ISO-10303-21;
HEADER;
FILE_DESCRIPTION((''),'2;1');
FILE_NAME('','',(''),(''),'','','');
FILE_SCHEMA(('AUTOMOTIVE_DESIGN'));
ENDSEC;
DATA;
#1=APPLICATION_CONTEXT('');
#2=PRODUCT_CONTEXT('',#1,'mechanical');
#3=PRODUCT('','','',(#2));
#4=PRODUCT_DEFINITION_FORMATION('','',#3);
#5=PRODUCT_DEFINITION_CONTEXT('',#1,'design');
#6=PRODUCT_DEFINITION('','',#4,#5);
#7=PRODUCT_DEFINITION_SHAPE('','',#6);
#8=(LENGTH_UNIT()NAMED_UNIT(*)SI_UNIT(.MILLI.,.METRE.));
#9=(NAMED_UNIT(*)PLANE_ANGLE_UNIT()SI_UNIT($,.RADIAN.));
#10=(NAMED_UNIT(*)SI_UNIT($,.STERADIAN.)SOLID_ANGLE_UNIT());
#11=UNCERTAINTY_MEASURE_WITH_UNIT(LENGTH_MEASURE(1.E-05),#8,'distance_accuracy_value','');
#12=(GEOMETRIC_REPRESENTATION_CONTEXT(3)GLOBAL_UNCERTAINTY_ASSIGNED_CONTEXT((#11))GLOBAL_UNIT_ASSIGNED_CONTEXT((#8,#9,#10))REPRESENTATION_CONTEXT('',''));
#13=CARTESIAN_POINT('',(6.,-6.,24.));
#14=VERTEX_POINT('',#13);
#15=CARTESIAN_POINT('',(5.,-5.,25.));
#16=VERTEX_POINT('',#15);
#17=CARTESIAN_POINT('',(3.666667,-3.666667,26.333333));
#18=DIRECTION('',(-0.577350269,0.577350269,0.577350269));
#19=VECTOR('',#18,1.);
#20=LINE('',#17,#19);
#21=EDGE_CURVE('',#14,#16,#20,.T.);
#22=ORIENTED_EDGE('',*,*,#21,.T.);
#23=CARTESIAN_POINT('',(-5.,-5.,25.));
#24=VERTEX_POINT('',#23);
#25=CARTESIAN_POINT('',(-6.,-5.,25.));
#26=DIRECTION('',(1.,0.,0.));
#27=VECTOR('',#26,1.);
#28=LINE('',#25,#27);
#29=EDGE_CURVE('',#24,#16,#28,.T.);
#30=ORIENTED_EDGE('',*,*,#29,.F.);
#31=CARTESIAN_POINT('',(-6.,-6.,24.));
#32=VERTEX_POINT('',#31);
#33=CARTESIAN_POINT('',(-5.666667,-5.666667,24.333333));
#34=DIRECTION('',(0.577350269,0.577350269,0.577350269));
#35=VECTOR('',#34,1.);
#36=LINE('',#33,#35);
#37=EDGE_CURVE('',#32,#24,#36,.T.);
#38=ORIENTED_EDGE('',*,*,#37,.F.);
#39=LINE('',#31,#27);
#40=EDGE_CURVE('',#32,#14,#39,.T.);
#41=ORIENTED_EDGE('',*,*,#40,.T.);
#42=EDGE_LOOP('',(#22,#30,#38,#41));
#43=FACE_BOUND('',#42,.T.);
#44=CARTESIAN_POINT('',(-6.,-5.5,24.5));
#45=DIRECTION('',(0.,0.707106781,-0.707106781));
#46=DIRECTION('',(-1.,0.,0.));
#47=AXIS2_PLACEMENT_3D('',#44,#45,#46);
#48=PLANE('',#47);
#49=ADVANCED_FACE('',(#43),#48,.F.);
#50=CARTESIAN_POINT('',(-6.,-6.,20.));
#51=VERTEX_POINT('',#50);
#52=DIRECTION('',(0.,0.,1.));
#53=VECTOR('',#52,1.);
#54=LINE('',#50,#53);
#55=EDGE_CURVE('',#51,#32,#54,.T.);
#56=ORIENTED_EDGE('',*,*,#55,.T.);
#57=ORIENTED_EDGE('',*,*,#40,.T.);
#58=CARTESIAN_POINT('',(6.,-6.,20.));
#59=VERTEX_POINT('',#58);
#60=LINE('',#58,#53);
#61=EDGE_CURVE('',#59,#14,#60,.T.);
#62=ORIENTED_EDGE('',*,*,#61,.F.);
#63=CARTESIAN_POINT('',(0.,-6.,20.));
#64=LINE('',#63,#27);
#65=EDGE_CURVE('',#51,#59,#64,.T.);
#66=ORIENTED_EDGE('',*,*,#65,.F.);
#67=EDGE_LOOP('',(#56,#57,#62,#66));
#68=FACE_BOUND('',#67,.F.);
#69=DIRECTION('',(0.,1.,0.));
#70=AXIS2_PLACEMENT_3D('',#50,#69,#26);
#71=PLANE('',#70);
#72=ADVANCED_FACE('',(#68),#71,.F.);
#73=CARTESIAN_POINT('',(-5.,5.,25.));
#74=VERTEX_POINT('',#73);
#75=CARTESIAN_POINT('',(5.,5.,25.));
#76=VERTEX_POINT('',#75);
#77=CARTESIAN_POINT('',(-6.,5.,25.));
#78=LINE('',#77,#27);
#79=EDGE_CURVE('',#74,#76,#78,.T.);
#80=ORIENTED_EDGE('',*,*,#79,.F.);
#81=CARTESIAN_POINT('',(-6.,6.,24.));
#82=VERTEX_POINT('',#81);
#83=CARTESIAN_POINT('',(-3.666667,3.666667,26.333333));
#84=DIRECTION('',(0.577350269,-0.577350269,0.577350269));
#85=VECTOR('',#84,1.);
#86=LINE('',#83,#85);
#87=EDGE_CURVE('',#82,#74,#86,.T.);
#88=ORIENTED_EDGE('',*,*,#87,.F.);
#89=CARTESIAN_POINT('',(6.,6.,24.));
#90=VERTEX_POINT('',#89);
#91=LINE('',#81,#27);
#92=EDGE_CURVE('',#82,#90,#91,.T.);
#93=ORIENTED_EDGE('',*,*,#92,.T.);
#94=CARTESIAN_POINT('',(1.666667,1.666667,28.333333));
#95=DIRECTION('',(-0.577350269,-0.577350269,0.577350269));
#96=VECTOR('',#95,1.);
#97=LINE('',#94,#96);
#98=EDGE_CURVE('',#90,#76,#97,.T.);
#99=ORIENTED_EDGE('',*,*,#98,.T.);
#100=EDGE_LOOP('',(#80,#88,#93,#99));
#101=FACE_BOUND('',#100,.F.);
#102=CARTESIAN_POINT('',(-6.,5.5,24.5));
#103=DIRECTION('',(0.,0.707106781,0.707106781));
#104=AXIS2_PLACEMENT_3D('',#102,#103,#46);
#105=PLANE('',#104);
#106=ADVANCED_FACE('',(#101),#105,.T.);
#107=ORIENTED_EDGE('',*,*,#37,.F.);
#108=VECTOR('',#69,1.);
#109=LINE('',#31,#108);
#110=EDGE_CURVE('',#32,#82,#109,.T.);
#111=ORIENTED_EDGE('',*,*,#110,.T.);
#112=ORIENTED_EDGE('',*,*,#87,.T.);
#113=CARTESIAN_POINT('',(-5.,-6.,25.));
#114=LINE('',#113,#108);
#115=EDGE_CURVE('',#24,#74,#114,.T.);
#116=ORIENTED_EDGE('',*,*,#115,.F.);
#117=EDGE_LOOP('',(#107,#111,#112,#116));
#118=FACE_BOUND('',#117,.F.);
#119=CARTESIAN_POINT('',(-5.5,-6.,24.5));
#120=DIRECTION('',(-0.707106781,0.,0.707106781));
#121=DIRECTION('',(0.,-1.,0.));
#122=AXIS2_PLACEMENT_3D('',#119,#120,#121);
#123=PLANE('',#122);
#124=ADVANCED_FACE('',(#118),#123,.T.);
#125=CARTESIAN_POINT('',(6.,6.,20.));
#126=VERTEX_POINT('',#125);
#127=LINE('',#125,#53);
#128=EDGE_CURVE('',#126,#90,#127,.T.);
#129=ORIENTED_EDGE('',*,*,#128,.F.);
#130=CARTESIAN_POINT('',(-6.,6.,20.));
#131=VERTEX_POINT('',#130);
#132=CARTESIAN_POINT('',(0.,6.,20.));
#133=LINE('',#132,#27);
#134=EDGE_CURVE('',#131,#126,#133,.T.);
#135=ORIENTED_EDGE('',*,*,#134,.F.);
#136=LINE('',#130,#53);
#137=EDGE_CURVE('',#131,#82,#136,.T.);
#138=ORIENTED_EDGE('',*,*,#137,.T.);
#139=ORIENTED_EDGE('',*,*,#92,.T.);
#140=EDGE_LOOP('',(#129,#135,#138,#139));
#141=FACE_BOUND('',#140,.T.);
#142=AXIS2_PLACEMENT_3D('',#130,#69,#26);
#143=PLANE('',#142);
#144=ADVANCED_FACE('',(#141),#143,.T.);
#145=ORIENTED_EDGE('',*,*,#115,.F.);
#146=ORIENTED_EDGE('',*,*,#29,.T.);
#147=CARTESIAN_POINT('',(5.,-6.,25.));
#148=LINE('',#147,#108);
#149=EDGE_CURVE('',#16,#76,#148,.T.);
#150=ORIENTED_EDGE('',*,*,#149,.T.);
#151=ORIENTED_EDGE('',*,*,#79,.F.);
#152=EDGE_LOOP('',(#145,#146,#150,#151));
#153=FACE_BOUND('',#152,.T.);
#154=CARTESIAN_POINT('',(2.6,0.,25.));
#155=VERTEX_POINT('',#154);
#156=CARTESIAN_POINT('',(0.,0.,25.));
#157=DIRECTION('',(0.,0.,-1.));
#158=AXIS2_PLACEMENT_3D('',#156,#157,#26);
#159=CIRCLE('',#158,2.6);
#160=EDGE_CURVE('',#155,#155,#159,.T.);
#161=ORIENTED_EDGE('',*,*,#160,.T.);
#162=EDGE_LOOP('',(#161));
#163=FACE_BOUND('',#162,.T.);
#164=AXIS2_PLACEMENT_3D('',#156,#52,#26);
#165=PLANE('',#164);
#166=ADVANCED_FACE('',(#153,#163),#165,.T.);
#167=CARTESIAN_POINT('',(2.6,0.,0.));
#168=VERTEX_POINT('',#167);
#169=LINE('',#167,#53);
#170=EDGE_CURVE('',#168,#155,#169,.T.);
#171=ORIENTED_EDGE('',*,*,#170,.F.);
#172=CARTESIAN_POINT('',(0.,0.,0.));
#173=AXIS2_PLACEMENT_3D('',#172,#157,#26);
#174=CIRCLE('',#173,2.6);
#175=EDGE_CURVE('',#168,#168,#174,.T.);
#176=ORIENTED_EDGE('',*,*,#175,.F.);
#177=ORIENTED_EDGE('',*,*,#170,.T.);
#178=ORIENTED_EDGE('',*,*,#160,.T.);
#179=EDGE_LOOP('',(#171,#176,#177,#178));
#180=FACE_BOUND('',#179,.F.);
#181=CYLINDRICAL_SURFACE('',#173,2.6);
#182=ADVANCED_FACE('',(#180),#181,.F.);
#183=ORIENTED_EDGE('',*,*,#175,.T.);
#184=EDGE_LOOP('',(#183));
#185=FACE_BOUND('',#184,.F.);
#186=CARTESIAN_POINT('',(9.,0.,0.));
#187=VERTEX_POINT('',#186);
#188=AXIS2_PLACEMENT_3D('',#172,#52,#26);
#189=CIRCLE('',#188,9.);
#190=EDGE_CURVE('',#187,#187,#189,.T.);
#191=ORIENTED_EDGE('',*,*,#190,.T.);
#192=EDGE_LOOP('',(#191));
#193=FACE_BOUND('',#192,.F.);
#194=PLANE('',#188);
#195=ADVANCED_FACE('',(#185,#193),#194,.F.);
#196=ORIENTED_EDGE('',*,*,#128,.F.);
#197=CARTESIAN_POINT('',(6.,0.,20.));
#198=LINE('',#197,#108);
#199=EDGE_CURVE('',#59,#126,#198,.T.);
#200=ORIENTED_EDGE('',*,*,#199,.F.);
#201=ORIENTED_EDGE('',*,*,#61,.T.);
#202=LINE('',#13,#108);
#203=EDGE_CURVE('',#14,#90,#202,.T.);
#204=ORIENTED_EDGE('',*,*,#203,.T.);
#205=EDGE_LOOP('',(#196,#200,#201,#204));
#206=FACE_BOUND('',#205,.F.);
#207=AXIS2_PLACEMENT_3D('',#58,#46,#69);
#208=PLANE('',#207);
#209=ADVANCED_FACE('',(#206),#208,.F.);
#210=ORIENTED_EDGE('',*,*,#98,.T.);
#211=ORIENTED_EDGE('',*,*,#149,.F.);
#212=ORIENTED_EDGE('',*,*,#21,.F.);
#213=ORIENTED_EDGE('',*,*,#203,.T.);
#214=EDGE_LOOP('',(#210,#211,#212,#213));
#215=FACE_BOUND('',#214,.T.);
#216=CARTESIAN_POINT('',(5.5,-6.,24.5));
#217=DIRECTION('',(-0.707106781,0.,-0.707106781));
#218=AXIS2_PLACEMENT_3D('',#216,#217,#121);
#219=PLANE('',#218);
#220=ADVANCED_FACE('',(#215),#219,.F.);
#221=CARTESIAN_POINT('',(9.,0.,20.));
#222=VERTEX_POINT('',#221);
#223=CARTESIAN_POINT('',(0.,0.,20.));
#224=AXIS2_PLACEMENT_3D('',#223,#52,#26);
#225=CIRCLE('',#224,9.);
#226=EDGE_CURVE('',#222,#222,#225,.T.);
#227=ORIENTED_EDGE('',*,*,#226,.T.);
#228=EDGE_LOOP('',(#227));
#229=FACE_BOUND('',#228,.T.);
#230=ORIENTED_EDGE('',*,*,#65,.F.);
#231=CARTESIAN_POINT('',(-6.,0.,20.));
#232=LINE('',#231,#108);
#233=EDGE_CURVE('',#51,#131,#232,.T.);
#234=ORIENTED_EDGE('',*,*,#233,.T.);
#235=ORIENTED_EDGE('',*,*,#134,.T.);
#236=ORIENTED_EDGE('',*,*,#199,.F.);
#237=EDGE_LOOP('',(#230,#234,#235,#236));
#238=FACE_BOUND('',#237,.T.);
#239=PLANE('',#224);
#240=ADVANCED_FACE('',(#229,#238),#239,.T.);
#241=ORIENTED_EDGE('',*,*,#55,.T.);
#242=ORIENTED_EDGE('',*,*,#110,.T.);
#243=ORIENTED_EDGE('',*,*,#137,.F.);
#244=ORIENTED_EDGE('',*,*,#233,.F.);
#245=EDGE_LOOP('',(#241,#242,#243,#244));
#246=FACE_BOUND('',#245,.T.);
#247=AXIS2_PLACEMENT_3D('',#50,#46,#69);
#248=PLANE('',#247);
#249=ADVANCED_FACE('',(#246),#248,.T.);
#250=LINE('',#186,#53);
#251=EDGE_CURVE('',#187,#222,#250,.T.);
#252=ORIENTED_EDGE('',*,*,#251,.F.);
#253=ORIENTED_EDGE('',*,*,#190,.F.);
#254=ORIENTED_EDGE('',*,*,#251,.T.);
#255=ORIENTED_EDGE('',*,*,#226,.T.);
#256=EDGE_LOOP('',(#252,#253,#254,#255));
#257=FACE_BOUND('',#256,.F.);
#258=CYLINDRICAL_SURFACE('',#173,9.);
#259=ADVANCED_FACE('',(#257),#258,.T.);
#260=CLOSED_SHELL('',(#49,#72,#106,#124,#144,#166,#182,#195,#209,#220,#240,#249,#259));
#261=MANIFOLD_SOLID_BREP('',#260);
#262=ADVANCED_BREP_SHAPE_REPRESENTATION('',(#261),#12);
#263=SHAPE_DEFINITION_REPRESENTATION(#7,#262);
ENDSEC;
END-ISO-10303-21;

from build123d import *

# Parameters (mm, degrees)
SKETCH_R     = 9
PAD_DEPTH    = 20
SKETCH002_W  = 12
SKETCH002_H  = 12
PAD001_DEPTH = 5
SKETCH003_R  = 2.6
POCKET_DEPTH = 25
CHAMFER_SIZE = 1


with BuildPart() as part:
    # Sketch → Pad (new body)
    with BuildSketch(Plane.XY):
        Circle(SKETCH_R)
    extrude(amount=PAD_DEPTH)

    # Sketch002 (on Face3 of Pad) → Pad001 (join)
    with BuildSketch(Plane.XY.offset(20)):
        Rectangle(SKETCH002_W, SKETCH002_H)
    extrude(amount=PAD001_DEPTH)

    # Sketch003 (on Face2 of Pad001) → Pocket (cut)
    with BuildSketch(Plane(origin=(0, 0, 0), x_dir=(1, 0, 0), z_dir=(0, 0, -1))):
        Circle(SKETCH003_R)
    extrude(amount=-POCKET_DEPTH, mode=Mode.SUBTRACT)

    # Chamfer
    chamfer_edges = [part.edges().sort_by_distance(p)[0] for p in [
        (-6, 0, 25),
        (0, -6, 25),
        (6, 0, 25),
        (0, 6, 25),
    ]]
    chamfer(chamfer_edges, length=CHAMFER_SIZE)


solid = part.part
